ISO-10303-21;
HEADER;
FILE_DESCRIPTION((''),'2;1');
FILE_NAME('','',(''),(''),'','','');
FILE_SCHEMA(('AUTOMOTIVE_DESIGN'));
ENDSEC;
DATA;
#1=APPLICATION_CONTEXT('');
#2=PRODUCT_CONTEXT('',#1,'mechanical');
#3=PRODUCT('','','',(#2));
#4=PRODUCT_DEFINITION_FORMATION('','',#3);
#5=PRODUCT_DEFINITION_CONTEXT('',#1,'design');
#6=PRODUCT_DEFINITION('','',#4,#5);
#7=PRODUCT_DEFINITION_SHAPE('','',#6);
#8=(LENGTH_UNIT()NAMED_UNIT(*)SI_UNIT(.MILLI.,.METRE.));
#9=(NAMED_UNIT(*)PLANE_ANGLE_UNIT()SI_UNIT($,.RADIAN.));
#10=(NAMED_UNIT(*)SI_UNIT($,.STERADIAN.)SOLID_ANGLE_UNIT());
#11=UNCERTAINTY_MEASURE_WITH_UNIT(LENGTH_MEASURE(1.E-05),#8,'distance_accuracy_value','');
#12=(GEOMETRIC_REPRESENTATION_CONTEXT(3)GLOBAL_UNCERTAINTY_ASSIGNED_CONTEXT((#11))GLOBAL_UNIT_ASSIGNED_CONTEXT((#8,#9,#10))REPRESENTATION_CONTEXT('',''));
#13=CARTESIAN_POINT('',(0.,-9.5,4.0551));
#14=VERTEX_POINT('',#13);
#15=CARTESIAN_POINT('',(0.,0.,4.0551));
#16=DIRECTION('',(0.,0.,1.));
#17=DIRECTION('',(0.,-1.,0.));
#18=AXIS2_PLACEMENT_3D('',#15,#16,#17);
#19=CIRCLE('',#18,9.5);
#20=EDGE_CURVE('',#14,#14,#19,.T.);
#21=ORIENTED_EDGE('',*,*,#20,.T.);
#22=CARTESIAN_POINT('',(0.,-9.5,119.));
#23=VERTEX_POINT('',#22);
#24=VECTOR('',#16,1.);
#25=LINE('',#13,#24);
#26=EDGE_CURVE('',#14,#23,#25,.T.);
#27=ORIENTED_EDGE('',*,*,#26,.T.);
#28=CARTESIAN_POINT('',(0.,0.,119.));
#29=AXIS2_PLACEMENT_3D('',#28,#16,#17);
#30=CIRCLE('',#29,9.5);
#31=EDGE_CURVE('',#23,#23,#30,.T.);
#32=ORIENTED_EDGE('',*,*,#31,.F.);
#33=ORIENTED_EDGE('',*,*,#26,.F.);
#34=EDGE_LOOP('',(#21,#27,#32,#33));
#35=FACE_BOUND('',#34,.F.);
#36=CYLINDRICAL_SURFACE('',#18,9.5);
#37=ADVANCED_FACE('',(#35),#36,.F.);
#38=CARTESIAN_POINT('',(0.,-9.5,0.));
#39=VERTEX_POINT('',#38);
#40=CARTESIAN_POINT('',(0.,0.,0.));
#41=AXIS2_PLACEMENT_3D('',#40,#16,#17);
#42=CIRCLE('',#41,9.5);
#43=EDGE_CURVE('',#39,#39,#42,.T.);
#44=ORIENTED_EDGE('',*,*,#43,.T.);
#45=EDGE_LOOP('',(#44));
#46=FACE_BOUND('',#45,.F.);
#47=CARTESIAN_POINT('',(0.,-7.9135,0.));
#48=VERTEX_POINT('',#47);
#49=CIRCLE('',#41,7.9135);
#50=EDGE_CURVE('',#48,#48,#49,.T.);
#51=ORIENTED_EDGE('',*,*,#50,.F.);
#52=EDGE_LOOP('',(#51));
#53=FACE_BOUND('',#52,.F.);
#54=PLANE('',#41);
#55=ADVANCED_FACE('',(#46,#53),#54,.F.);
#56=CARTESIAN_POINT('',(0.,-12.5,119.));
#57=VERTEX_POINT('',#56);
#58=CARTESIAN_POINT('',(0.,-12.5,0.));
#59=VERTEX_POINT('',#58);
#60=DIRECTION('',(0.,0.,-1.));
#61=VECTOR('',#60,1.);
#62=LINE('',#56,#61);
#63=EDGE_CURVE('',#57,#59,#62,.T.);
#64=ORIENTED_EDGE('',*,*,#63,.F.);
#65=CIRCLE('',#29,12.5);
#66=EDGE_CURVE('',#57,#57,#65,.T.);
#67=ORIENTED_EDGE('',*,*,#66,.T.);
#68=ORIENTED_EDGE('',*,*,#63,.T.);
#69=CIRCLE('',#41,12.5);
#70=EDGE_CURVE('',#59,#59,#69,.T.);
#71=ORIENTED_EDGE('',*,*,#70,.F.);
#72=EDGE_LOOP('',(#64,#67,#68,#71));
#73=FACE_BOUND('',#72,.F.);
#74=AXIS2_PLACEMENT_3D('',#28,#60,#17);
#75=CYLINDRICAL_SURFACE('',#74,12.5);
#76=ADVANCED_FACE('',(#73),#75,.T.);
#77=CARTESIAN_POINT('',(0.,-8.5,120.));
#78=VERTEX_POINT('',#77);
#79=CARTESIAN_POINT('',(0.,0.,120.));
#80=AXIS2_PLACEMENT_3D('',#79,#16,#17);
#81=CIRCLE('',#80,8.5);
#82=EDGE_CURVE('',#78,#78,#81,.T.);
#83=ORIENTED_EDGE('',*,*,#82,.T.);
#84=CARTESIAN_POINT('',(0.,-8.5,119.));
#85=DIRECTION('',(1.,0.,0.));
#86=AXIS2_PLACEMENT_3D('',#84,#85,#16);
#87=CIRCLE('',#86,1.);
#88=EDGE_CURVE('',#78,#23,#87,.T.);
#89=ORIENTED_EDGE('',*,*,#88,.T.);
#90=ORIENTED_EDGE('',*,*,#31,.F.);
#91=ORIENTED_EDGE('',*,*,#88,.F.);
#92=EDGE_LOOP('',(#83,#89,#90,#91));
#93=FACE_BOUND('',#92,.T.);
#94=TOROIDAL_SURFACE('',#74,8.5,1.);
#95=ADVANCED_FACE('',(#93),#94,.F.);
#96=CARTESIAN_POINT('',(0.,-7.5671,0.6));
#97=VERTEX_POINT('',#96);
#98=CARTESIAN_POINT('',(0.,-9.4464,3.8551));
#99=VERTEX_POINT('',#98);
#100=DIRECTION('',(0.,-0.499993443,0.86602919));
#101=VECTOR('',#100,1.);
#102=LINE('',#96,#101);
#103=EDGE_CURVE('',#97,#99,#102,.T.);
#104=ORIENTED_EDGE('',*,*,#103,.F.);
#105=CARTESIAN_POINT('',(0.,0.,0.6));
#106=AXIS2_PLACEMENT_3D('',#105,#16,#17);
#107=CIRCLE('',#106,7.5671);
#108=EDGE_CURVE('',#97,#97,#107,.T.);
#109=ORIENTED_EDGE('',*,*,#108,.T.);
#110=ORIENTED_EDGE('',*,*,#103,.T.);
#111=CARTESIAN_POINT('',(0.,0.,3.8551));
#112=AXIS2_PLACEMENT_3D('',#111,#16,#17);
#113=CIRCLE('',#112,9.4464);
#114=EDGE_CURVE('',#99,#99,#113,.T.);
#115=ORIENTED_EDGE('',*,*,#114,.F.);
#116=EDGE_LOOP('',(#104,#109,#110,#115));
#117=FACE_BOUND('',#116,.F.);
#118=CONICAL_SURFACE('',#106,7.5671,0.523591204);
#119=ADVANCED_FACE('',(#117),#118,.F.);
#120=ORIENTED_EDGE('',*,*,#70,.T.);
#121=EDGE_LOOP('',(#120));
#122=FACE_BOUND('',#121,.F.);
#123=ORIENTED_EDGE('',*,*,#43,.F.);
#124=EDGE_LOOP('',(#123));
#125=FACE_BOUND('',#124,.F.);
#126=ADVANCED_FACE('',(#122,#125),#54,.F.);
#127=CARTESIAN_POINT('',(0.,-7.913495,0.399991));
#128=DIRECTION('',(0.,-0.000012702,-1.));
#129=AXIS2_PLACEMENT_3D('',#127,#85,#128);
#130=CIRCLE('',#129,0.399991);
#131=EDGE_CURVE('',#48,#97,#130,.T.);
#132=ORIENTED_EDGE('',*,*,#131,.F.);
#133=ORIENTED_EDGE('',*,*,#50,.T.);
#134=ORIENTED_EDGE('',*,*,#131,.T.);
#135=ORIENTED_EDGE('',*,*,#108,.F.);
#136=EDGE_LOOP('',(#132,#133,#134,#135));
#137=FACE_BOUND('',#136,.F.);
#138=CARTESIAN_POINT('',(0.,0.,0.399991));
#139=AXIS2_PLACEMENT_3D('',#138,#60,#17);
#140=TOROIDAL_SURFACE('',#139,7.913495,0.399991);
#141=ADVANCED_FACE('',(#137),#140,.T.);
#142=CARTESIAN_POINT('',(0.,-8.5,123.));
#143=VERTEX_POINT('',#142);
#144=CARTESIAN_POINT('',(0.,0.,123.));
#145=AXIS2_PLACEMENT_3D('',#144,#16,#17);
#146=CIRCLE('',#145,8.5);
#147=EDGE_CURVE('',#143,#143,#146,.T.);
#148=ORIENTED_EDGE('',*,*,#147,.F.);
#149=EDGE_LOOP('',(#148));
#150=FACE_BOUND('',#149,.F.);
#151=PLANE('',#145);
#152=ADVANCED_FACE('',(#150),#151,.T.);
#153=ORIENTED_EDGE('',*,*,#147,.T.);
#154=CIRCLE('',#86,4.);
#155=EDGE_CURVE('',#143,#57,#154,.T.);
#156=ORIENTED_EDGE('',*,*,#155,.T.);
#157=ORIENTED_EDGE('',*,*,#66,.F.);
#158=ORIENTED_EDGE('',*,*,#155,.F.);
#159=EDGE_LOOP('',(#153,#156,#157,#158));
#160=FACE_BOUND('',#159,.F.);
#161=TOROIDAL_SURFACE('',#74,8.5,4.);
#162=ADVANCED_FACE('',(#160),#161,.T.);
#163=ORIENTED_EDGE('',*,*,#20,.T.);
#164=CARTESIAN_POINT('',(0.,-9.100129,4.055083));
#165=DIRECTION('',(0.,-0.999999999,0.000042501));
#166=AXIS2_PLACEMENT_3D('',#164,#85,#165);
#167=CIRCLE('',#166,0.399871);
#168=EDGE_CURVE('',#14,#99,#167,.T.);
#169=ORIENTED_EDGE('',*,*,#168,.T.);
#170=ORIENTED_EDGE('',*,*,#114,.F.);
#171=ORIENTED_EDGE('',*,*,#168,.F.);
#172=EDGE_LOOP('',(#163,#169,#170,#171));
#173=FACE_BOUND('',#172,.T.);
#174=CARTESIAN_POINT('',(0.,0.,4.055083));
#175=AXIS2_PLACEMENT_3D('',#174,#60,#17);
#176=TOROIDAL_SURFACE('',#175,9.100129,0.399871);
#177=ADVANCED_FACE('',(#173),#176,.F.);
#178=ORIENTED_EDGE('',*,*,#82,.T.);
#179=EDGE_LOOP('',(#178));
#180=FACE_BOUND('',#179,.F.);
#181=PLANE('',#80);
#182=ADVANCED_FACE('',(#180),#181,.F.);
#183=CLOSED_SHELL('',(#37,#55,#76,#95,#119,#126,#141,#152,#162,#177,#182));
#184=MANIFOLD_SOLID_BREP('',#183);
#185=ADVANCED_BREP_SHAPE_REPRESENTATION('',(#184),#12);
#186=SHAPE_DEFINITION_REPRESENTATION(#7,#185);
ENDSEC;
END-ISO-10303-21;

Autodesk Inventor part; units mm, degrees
ref_plane "YZ Plane" through (0, 0, 0) normal (1, 0, 0) x (0, 1, 0)
ref_plane "XZ Plane" through (0, 0, 0) normal (0, 1, 0) x (-1, 0, 0)
ref_plane "XY Plane" through (0, 0, 0) normal (0, 0, 1) x (1, 0, 0)
sketch "Sketch4" plane through (0, 0, 0) normal (1, 0, 0) x (0, 1, 0)
  line L0 (-12.5, 0) -> (12.5, 0) projected
  line L1 (-12.5, 0) -> (-9.5, 0)
  line L2 (-9.5, 4.0551) -> (-9.5, 119)
  line L3 (0, 120) -> (0, 123)
  line L4 (0, 123) -> (-8.5, 123)
  arc A0 (-8.5, 123) -> (-12.5, 119) centre (-8.5, 119) ccw
  line L5 (-12.5, 119) -> (-12.5, 0)
  line L6 (-8.5, 120) -> (0, 120)
  arc A1 (-8.5, 120) -> (-9.5, 119) centre (-8.5, 119) ccw
  line L7 (-9.5, 0) -> (-7.9135, 0)
  line L8 (-7.5671, 0.6) -> (-9.4464, 3.8551)
  line L9 (-7.2207, 0) -> (-1.4448, 0) construction
  arc A2 (-9.5, 4.0551) -> (-9.4464, 3.8551) centre (-9.1, 4.0551) ccw
  arc A3 (-7.9135, 0) -> (-7.5671, 0.6) centre (-7.9135, 0.4) ccw
  point P0 (0, 0)
  point P1 (-9.5, 120)
  point P2 (-6.5, 0)
  point P3 (-9.5, 3.9479)
  dimension "d7" = 120
  dimension "d8" = 3
  dimension "d9" = 4
  dimension "d10" = 1
  dimension "d11" = 3
  dimension "d14" = 120
  dimension "d15" = 0.4
revolve "Revolution1" add sketch "Sketch4" angle 360 about axis through (0, 0, 120) along (0, 0, 1)
properties part number "Diffueser"
